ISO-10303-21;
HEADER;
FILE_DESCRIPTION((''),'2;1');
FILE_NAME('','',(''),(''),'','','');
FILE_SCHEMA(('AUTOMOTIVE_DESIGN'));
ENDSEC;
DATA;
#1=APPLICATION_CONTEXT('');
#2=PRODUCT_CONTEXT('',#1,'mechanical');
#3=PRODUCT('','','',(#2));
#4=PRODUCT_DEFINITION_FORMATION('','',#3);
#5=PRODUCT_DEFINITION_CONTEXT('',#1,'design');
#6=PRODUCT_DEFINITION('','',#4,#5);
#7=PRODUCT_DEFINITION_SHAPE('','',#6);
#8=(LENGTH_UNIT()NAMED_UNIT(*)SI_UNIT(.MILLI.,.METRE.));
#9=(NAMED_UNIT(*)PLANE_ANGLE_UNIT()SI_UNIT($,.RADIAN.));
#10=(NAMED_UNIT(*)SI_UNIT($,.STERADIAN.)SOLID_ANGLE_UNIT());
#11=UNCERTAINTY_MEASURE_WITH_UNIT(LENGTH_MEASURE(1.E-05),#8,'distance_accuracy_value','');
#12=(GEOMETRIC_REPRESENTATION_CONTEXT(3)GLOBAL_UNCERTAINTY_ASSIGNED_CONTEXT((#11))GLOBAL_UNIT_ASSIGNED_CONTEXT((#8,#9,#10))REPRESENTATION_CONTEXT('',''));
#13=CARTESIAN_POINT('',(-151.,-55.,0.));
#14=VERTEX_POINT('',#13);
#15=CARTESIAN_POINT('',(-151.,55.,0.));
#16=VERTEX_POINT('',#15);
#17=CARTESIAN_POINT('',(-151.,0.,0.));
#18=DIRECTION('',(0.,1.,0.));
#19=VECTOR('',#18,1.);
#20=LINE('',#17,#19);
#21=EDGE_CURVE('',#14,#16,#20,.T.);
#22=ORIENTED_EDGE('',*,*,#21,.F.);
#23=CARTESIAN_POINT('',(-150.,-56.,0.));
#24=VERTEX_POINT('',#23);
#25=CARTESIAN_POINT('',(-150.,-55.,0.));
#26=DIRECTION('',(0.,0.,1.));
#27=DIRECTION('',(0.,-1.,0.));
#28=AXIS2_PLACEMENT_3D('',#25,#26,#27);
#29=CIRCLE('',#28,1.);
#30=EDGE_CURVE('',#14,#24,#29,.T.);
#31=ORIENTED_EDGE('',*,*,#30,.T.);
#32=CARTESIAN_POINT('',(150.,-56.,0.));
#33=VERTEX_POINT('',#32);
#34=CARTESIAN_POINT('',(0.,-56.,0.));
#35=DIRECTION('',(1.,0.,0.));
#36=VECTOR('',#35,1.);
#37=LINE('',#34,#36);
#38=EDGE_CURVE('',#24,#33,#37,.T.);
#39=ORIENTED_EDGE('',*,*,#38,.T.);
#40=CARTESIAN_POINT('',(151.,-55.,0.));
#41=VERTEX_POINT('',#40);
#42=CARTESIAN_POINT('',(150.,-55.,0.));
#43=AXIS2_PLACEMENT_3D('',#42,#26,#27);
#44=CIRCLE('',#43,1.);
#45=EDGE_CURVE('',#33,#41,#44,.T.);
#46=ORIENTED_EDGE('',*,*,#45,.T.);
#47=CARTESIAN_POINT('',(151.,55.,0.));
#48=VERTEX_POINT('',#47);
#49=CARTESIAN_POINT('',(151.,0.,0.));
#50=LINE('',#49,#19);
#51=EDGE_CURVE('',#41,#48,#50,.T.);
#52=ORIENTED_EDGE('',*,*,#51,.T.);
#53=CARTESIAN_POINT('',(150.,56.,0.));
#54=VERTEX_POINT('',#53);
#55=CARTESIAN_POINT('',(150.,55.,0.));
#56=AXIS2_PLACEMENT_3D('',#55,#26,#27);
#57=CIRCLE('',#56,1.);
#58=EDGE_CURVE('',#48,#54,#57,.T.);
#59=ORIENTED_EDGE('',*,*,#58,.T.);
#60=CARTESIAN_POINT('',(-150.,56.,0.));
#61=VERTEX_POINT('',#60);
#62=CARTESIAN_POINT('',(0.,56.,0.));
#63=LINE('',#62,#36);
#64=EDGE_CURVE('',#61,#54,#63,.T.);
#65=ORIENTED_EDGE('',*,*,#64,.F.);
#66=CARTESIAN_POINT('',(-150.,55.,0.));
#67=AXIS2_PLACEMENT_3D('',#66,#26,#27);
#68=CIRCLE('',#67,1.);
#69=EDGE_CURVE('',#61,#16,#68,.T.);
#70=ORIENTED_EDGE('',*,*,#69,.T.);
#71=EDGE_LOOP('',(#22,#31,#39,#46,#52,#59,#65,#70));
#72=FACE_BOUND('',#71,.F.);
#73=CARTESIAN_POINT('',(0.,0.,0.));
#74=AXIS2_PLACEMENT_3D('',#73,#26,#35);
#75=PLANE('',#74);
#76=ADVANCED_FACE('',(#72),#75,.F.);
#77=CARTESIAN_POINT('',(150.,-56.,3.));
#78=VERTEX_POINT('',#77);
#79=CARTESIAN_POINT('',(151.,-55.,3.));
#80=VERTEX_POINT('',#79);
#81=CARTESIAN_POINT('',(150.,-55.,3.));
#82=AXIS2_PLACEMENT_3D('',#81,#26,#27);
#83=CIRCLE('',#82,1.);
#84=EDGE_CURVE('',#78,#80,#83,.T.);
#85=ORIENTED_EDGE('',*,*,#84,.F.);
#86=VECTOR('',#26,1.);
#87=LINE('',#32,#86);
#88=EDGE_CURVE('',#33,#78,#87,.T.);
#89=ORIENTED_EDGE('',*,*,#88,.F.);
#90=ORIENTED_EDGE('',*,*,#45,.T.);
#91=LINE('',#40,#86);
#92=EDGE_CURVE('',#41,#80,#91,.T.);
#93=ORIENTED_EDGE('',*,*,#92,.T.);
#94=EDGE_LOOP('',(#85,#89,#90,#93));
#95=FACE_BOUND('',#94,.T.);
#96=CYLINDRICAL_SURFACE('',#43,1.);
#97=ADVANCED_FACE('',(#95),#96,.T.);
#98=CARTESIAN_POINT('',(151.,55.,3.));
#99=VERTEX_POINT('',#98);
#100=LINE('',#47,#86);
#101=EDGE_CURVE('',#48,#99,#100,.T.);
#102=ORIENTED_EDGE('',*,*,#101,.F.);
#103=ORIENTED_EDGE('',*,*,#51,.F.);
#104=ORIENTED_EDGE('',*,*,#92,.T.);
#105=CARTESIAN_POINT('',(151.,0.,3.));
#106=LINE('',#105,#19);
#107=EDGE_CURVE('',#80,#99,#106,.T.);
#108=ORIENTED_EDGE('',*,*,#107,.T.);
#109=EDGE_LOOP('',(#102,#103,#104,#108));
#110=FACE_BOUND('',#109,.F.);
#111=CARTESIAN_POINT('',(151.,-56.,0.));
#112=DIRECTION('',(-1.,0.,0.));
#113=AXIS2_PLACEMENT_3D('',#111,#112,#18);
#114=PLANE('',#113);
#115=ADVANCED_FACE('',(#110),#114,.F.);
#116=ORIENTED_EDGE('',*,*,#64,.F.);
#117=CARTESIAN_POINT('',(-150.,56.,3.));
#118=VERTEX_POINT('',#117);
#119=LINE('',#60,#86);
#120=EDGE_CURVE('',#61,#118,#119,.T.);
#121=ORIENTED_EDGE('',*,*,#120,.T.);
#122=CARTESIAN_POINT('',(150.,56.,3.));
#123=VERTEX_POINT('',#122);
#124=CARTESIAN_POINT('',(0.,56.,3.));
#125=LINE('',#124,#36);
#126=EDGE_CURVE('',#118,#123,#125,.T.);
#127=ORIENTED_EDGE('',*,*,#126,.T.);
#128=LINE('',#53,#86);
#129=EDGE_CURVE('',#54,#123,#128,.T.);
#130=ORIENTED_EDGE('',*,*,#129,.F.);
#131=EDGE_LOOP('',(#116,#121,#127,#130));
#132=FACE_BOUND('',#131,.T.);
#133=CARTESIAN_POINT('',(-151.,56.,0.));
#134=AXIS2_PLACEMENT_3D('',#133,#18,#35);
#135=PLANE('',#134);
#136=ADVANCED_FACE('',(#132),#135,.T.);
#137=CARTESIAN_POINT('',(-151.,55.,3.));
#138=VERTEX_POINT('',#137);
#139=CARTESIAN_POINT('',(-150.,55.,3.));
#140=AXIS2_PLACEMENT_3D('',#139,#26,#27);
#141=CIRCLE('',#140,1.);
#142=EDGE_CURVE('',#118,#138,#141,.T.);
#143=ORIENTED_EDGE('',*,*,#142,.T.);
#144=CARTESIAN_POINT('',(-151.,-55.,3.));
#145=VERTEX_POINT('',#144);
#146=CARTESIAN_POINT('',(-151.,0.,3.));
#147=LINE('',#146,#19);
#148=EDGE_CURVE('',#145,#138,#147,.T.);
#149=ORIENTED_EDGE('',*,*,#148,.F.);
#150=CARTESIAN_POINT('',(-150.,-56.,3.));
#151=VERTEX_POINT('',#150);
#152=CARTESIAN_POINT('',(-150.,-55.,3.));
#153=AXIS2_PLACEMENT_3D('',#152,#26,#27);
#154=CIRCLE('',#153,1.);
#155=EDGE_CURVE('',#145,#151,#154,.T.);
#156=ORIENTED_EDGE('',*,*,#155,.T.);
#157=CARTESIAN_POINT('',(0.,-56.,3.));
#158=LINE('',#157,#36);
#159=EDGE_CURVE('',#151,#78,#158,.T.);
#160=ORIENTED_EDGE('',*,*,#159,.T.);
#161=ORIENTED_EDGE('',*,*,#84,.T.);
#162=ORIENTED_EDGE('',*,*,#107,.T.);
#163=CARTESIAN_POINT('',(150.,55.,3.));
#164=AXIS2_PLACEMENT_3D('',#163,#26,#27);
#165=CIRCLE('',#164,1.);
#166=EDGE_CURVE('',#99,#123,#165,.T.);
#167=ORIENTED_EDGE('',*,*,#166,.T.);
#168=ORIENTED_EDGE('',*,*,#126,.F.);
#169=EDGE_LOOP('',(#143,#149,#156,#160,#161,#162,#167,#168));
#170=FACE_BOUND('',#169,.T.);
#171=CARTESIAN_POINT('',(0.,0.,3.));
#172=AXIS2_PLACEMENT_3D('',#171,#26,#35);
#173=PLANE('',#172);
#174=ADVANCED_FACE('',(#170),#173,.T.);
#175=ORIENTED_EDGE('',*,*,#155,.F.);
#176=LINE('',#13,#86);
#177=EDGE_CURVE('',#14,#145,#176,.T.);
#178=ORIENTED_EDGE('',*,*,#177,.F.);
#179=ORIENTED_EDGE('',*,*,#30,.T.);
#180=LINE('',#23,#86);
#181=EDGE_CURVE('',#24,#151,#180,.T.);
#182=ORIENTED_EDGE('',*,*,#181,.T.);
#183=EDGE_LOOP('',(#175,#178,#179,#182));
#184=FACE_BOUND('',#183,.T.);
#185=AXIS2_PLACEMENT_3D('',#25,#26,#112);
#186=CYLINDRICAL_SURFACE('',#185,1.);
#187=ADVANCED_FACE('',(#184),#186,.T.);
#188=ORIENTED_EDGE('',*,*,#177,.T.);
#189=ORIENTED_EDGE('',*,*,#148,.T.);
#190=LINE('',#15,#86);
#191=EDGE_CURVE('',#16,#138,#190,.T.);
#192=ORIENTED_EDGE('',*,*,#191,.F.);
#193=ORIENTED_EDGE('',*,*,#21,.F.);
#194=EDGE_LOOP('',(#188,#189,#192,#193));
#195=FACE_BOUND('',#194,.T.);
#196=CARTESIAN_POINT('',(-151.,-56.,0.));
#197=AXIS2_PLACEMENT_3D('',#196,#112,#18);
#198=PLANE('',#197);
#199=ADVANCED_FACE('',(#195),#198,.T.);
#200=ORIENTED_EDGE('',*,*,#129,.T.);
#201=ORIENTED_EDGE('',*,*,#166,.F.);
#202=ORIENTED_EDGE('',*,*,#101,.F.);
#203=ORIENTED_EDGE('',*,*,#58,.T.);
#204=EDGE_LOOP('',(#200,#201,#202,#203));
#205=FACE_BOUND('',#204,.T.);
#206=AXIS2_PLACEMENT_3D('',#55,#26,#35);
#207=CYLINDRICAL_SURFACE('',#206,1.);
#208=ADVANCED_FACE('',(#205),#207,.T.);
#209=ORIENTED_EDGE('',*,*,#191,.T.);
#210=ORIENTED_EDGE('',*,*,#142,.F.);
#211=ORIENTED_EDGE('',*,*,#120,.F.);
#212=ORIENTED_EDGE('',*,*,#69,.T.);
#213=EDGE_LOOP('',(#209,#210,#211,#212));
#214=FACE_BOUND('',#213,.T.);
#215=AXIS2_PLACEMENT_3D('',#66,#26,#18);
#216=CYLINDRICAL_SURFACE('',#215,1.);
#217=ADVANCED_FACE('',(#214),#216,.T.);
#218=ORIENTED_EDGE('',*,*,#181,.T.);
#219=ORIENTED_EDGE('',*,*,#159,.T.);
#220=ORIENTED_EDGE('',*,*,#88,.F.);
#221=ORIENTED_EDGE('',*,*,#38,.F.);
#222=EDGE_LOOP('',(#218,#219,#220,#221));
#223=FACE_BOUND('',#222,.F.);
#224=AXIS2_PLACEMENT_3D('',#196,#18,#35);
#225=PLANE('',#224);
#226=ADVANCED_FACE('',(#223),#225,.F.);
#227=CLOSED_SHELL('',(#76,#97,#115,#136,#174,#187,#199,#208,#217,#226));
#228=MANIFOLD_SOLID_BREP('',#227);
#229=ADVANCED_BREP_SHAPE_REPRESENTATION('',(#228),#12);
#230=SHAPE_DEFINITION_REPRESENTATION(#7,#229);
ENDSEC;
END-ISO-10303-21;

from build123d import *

# Parameters (mm, degrees)
SKETCH_W    = 302
SKETCH_H    = 112
PAD_DEPTH   = 3
FILLET_R    = 1
FILLET001_R = 1
FILLET002_R = 1
FILLET003_R = 1


with BuildPart() as part:
    # Sketch → Pad (new body)
    with BuildSketch(Plane.XY):
        Rectangle(SKETCH_W, SKETCH_H)
    extrude(amount=PAD_DEPTH)

    # Fillet
    fillet_edges = [part.edges().sort_by_distance(p)[0] for p in [
        (-151, -56, 1.5),
    ]]
    fillet(fillet_edges, radius=FILLET_R)

    # Fillet001
    fillet001_edges = [part.edges().sort_by_distance(p)[0] for p in [
        (151, -56, 1.5),
    ]]
    fillet(fillet001_edges, radius=FILLET001_R)

    # Fillet002
    fillet002_edges = [part.edges().sort_by_distance(p)[0] for p in [
        (151, 56, 1.5),
    ]]
    fillet(fillet002_edges, radius=FILLET002_R)

    # Fillet003
    fillet003_edges = [part.edges().sort_by_distance(p)[0] for p in [
        (-151, 56, 1.5),
    ]]
    fillet(fillet003_edges, radius=FILLET003_R)


solid = part.part
